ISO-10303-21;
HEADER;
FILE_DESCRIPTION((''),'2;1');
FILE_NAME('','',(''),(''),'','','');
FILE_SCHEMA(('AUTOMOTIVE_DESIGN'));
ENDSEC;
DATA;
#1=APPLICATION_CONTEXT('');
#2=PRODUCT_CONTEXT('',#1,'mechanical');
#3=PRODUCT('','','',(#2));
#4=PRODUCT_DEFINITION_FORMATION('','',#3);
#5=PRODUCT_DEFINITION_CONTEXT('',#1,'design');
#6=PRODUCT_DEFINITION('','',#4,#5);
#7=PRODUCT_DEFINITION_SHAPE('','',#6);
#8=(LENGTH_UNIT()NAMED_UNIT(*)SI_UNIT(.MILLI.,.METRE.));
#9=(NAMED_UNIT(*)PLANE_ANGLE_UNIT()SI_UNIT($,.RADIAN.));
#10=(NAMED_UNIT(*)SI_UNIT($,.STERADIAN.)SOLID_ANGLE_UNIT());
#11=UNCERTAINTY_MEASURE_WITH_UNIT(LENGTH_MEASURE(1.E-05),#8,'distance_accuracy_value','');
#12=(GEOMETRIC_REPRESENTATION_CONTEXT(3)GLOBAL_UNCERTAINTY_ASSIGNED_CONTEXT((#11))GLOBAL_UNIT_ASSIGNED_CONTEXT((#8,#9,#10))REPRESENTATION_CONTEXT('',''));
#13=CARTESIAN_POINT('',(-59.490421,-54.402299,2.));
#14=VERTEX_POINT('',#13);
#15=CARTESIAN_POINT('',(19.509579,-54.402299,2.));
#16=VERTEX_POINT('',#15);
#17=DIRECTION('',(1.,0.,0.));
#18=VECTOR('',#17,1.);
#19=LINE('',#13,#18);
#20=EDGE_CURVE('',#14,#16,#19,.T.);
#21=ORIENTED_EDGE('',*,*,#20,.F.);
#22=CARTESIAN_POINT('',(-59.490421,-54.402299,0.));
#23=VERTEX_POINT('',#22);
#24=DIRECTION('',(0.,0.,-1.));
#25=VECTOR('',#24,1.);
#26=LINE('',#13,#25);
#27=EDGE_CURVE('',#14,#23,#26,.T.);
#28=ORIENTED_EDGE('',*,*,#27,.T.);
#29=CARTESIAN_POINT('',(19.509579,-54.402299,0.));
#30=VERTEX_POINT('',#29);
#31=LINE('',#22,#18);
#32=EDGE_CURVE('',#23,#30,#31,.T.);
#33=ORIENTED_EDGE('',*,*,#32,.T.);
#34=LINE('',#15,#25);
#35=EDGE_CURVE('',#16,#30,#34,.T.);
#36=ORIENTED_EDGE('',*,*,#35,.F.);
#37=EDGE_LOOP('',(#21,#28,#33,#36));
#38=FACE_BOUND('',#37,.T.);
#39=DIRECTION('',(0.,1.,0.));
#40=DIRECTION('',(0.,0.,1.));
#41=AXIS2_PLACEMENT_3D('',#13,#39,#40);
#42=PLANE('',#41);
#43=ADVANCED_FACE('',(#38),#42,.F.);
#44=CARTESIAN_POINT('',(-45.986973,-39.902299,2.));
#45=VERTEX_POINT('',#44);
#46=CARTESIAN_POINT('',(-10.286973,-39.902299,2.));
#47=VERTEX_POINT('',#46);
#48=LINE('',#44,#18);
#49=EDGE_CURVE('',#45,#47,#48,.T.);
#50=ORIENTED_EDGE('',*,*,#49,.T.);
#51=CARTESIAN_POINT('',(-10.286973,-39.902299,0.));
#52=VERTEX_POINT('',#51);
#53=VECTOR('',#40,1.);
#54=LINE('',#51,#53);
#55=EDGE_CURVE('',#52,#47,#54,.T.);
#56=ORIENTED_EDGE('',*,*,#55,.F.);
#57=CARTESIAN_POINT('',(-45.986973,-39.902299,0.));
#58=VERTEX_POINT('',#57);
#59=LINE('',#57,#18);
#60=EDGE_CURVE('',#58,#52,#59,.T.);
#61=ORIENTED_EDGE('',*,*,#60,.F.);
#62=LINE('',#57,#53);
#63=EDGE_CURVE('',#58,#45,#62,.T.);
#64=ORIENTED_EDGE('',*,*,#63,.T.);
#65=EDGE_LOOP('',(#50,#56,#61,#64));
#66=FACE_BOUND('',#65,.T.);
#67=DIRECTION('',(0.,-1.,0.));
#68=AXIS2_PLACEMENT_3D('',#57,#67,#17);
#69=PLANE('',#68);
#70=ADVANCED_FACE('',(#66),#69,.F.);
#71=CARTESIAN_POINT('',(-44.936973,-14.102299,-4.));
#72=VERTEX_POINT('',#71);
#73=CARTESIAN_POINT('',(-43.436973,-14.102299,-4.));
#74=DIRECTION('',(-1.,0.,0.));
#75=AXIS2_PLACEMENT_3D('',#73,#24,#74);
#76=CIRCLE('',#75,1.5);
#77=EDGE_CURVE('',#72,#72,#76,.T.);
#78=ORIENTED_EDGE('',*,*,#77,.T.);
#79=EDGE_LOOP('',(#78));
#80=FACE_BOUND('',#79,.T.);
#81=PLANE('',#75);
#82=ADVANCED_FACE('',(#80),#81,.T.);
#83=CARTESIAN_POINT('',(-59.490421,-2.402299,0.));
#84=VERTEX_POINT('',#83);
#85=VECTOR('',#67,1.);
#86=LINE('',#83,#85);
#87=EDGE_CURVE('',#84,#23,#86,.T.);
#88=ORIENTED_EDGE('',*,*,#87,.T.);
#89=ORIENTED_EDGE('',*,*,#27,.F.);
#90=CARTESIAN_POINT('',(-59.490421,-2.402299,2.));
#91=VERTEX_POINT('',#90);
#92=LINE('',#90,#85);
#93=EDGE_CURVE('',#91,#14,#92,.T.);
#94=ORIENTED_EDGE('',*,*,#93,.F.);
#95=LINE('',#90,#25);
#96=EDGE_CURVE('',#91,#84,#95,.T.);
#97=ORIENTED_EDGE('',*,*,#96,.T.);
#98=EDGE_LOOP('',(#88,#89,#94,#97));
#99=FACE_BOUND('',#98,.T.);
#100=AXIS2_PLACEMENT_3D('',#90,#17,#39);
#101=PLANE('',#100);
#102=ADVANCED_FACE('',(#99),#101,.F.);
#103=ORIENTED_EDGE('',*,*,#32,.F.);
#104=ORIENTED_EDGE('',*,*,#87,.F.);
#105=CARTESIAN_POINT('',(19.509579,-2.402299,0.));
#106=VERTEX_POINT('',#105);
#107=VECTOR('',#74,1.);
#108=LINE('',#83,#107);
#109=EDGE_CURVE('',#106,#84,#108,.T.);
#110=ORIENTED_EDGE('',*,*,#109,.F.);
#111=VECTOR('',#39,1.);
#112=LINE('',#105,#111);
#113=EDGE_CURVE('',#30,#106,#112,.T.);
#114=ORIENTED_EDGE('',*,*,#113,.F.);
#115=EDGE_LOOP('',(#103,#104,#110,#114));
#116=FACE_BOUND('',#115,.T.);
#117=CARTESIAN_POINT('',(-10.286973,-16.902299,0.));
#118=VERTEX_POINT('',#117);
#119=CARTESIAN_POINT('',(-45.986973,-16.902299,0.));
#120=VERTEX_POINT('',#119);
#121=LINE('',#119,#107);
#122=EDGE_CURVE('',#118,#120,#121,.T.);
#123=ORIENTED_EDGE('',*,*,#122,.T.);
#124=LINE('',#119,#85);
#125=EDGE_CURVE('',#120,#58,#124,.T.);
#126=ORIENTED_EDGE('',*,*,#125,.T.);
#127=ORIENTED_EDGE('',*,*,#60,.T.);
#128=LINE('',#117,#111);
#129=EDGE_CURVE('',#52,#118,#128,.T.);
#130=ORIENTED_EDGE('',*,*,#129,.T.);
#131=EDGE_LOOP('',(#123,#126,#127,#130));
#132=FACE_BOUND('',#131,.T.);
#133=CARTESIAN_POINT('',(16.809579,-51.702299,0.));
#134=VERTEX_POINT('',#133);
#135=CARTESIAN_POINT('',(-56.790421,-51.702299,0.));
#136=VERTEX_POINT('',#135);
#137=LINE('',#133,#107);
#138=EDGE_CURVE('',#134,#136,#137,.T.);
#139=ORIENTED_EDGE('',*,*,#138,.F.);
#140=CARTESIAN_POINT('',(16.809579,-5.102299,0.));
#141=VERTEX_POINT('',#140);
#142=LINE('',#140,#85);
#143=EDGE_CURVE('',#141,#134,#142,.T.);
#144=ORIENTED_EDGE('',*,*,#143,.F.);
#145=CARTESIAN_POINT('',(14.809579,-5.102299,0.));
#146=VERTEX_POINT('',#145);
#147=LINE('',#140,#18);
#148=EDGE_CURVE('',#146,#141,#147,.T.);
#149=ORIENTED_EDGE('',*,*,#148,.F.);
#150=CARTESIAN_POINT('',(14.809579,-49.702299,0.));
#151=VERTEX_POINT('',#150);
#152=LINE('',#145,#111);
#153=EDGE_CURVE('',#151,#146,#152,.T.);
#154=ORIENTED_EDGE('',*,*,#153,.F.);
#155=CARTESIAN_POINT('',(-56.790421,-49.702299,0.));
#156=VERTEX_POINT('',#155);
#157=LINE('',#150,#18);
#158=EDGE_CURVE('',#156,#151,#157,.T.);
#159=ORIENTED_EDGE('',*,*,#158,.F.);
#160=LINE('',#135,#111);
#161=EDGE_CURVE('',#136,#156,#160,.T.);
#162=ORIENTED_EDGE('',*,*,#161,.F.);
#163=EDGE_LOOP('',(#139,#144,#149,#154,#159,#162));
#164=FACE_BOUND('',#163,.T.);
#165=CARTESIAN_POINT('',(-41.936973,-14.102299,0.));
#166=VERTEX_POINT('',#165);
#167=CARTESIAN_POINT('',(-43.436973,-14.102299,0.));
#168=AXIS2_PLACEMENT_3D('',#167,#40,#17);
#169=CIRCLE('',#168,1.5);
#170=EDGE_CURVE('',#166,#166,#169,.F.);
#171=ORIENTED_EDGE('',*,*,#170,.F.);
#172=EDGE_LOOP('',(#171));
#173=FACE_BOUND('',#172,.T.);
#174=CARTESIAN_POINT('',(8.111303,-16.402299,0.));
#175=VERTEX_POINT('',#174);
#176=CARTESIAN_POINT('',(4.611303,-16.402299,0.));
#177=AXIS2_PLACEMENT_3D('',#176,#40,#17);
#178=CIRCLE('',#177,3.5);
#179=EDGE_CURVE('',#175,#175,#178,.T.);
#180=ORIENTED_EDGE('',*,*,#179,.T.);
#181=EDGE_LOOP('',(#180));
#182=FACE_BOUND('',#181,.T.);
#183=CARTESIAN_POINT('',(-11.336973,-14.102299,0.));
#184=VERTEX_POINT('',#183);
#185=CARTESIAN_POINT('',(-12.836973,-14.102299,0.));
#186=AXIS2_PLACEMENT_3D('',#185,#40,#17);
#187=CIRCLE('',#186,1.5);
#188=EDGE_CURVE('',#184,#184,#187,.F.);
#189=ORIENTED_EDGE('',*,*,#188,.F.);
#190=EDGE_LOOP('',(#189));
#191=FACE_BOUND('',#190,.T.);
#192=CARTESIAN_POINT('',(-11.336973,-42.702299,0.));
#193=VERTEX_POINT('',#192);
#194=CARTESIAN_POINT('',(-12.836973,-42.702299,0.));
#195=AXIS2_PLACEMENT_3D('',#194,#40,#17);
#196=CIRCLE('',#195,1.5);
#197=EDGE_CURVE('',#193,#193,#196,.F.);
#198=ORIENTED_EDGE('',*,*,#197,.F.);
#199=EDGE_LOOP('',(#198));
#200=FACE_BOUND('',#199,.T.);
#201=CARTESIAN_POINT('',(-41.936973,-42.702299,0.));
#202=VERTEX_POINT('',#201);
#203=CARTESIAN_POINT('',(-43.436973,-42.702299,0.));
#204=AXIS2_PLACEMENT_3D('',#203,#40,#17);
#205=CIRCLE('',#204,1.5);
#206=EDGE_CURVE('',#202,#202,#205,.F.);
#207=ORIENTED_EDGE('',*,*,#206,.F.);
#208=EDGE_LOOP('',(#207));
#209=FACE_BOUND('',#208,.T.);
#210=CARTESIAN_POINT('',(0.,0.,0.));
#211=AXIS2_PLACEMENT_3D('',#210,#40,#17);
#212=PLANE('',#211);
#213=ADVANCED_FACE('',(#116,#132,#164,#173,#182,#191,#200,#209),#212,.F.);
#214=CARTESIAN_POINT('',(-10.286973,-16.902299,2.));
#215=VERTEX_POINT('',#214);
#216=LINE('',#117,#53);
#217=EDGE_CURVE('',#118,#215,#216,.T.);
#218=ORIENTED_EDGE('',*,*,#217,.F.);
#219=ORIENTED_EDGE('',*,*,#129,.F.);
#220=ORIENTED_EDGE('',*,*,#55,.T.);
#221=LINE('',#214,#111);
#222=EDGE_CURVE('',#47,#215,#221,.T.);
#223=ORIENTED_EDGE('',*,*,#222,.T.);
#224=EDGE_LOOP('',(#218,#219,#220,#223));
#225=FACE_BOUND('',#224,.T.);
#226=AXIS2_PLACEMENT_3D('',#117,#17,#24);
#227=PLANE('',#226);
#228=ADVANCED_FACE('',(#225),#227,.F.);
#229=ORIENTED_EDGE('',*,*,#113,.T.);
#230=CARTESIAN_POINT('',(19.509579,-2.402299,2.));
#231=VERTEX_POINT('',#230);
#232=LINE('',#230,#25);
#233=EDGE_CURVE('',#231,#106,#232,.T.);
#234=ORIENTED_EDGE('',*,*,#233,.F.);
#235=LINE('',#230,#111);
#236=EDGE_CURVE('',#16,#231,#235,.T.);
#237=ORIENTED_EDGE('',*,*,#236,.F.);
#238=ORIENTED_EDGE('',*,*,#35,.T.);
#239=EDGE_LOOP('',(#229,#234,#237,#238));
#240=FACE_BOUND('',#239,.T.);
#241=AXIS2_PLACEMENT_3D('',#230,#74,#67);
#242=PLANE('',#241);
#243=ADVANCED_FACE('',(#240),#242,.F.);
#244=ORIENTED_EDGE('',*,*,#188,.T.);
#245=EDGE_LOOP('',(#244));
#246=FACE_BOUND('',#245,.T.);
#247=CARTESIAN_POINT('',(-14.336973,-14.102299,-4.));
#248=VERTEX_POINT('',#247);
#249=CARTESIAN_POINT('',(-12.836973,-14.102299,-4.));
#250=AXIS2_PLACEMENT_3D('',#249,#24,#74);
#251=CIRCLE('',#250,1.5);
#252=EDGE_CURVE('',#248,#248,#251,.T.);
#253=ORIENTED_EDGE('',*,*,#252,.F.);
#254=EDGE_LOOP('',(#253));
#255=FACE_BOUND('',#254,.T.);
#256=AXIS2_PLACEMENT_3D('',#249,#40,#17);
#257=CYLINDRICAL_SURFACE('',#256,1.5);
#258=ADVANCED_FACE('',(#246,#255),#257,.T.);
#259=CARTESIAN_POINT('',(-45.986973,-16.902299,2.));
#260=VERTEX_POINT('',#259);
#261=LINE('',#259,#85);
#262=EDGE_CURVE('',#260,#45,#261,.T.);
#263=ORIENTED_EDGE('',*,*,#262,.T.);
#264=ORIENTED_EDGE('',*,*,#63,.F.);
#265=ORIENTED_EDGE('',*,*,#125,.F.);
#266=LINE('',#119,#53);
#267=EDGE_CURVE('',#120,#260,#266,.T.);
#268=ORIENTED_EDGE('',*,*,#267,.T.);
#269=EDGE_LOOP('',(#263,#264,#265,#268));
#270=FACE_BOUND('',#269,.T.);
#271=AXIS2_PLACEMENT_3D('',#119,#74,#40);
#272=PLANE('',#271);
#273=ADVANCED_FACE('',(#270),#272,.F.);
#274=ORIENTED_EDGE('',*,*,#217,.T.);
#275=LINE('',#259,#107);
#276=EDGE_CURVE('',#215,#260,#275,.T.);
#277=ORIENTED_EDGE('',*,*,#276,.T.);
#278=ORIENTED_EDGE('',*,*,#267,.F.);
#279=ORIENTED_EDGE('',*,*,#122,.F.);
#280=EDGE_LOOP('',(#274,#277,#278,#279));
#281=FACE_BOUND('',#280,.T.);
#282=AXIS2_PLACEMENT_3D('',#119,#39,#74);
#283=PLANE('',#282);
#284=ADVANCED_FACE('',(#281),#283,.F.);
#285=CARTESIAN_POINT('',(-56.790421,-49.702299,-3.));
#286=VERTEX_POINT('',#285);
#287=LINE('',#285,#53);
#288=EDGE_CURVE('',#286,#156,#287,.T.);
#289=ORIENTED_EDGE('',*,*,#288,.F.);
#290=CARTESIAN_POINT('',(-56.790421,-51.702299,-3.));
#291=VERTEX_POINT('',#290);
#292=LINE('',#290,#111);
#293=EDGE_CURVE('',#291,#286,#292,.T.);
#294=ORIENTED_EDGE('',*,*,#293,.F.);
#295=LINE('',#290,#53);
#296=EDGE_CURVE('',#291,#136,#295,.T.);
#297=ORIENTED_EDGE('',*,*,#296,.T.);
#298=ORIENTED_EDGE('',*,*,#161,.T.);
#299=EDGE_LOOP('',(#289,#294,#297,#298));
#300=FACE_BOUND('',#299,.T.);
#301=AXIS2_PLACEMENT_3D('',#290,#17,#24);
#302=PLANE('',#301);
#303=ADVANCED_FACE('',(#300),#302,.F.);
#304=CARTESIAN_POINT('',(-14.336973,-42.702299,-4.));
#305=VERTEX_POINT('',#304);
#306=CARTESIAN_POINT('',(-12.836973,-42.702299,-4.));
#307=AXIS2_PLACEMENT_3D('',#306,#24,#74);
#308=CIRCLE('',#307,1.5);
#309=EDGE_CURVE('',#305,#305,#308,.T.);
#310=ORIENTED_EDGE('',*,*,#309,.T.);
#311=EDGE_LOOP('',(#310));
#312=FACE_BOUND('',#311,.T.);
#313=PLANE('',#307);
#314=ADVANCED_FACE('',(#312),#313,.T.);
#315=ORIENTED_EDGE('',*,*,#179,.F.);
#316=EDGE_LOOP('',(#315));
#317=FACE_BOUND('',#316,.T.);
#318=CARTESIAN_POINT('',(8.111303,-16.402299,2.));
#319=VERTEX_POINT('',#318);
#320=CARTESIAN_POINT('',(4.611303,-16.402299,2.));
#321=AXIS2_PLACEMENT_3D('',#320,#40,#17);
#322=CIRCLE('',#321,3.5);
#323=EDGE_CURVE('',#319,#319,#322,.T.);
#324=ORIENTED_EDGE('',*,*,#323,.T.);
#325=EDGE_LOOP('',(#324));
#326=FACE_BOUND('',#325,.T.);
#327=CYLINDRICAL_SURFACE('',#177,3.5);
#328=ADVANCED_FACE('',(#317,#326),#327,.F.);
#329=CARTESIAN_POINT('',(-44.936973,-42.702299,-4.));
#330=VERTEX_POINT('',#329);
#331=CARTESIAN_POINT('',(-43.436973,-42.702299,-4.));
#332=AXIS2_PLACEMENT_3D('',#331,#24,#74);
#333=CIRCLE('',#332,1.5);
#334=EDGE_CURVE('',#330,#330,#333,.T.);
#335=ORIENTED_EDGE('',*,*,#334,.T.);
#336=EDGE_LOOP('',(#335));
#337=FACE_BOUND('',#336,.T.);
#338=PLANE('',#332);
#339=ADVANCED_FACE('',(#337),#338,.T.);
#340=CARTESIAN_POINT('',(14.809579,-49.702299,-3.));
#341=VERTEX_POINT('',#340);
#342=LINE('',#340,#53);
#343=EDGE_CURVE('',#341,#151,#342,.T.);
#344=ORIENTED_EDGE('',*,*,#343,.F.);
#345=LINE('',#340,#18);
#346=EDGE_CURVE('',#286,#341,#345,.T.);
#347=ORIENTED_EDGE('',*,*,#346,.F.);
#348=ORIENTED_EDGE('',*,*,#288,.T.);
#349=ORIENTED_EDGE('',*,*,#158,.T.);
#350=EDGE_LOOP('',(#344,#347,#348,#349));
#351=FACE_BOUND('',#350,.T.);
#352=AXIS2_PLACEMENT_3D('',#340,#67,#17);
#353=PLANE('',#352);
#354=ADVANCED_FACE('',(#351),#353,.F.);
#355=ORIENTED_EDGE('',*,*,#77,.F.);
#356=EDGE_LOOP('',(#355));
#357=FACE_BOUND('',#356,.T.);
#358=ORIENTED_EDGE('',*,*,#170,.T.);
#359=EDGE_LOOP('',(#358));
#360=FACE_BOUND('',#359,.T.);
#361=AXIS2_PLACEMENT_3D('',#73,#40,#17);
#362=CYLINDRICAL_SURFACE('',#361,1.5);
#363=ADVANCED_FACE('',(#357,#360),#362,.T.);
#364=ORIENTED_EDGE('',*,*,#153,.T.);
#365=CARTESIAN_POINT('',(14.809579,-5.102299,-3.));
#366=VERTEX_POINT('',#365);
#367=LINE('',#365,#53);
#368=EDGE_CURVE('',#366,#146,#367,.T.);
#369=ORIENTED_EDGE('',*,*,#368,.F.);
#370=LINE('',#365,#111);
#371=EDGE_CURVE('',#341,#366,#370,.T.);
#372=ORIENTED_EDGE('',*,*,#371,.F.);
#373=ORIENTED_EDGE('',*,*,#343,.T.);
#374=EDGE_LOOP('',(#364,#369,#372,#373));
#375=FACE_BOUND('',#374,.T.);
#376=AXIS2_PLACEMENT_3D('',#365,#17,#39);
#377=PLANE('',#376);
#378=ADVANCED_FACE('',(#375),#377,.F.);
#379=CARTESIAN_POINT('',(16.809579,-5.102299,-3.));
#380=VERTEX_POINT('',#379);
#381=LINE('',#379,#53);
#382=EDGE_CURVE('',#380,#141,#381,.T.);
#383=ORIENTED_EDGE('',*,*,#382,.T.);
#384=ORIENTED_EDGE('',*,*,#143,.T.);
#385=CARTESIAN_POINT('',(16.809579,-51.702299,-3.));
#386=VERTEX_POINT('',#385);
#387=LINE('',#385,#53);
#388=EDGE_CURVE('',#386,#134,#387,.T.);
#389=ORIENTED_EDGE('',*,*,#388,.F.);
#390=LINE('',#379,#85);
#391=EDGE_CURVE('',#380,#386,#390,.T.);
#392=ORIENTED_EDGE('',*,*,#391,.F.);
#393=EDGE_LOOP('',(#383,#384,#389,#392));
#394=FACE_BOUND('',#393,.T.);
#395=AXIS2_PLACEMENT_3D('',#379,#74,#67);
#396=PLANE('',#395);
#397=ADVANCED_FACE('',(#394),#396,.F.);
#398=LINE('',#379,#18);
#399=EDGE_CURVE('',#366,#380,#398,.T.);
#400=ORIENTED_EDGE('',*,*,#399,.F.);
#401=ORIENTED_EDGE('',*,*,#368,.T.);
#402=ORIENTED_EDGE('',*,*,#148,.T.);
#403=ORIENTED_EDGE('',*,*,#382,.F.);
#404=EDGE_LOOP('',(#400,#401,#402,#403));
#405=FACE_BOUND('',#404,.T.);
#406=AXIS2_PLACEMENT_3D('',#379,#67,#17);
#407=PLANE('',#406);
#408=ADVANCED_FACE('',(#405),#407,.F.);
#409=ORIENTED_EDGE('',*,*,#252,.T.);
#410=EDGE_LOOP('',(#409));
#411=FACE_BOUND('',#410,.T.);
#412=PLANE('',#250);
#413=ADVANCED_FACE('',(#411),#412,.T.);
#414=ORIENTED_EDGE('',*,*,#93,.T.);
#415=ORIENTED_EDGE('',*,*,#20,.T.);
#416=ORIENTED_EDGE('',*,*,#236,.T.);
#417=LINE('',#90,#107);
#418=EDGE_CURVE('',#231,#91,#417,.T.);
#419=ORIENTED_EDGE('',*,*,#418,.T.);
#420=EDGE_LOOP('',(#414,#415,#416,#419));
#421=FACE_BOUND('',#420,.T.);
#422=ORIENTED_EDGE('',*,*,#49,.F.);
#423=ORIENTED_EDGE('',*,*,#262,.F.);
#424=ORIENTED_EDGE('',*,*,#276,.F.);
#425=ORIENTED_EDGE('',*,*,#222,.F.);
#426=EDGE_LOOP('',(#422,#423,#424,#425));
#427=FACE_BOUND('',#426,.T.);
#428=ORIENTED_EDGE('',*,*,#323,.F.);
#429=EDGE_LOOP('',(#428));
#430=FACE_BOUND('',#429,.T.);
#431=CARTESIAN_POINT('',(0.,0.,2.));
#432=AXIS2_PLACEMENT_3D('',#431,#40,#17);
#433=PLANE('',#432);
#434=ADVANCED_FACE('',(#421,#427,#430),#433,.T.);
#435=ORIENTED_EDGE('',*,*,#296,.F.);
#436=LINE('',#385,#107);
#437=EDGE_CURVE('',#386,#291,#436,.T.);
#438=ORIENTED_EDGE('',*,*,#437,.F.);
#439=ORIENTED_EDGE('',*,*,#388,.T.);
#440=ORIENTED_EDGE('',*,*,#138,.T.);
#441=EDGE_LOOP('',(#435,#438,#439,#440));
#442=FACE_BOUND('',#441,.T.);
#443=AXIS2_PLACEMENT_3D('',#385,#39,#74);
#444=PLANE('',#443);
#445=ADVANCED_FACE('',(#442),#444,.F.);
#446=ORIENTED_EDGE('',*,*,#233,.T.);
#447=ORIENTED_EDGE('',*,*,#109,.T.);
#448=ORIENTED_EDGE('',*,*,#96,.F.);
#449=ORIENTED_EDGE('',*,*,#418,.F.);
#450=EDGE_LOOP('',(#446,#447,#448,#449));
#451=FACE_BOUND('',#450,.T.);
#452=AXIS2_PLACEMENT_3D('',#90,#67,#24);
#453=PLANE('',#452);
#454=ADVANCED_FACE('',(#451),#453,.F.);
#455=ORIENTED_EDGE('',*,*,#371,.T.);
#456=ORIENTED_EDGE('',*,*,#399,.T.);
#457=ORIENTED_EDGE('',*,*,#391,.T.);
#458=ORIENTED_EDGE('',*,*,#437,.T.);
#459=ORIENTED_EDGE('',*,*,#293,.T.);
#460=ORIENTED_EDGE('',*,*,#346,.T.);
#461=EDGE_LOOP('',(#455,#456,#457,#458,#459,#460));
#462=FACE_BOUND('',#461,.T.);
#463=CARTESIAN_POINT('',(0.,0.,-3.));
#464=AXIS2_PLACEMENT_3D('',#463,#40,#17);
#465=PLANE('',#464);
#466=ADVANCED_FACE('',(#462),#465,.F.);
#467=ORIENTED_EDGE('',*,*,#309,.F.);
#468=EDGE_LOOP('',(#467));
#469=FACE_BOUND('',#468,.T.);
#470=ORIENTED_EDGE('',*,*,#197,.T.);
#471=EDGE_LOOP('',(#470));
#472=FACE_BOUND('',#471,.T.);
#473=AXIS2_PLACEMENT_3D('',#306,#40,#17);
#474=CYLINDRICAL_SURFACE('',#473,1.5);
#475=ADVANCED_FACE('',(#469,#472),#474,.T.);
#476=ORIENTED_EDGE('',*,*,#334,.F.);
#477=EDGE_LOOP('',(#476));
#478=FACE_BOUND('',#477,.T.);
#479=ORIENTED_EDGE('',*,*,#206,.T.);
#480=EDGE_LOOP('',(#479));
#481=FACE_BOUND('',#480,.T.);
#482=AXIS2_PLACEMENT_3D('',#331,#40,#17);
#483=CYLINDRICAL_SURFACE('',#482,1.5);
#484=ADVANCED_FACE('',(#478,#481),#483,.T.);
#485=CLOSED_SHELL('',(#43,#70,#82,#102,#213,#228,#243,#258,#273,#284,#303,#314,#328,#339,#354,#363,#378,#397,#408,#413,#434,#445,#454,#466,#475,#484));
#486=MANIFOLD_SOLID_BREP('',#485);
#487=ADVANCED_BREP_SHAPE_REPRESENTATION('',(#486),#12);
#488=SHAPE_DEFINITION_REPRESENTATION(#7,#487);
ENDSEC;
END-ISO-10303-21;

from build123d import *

# Parameters (mm, degrees)
SKIZZE10_W                       = 79
SKIZZE10_H                       = 52
AUFSATZ_LINEAR_AUSTRAGEN8_DEPTH  = 2
SKIZZE11_W                       = 35.7
SKIZZE11_H                       = 23
SCHNITT_LINEAR_AUSTRAGEN3_DEPTH  = 2
SKIZZE13_R                       = 3.5
SCHNITT_LINEAR_AUSTRAGEN4_DEPTH  = 2
SKIZZE14_R                       = 1.5
AUFSATZ_LINEAR_AUSTRAGEN9_DEPTH  = 4
AUFSATZ_LINEAR_AUSTRAGEN10_DEPTH = 3


with BuildPart() as part:
    # Skizze10 → Aufsatz-Linear austragen8 (new body)
    with BuildSketch(Plane.XY):
        with Locations((-19.990421456, -28.402298851)):
            Rectangle(SKIZZE10_W, SKIZZE10_H)
    extrude(amount=AUFSATZ_LINEAR_AUSTRAGEN8_DEPTH)

    # Skizze11 → Schnitt-Linear austragen3 (cut)
    with BuildSketch(Plane.XY.offset(2)):
        with Locations((-28.136972684, -28.402298851)):
            Rectangle(SKIZZE11_W, SKIZZE11_H)
    extrude(amount=-SCHNITT_LINEAR_AUSTRAGEN3_DEPTH, mode=Mode.SUBTRACT)

    # Skizze13 → Schnitt-Linear austragen4 (cut)
    with BuildSketch(Plane.XY.offset(2)):
        with Locations((4.61130293, -16.402298851)):
            Circle(SKIZZE13_R)
    extrude(amount=-SCHNITT_LINEAR_AUSTRAGEN4_DEPTH, mode=Mode.SUBTRACT)

    # Skizze14 → Aufsatz-Linear austragen9 (add)
    with BuildSketch(Plane(origin=(0, 0, 0), x_dir=(-1, 0, 0), z_dir=(0, 0, -1))):
        with Locations((43.436972684, -14.102298851)):
            Circle(SKIZZE14_R)
        with Locations((43.436972684, -42.702298851)):
            Circle(SKIZZE14_R)
        with Locations((12.836972684, -14.102298851)):
            Circle(SKIZZE14_R)
        with Locations((12.836972684, -42.702298851)):
            Circle(SKIZZE14_R)
    extrude(amount=AUFSATZ_LINEAR_AUSTRAGEN9_DEPTH)

    # Skizze15 → Aufsatz-Linear austragen10 (add)
    with BuildSketch(Plane(origin=(0, 0, 0), x_dir=(-1, 0, 0), z_dir=(0, 0, -1))):
        Polygon((-16.809578544, -5.102298851), (-16.809578544, -51.702298851), (56.790421456, -51.702298851), (56.790421456, -49.702298851), (-14.809578544, -49.702298851), (-14.809578544, -5.102298851), align=None)
    extrude(amount=AUFSATZ_LINEAR_AUSTRAGEN10_DEPTH)


solid = part.part
